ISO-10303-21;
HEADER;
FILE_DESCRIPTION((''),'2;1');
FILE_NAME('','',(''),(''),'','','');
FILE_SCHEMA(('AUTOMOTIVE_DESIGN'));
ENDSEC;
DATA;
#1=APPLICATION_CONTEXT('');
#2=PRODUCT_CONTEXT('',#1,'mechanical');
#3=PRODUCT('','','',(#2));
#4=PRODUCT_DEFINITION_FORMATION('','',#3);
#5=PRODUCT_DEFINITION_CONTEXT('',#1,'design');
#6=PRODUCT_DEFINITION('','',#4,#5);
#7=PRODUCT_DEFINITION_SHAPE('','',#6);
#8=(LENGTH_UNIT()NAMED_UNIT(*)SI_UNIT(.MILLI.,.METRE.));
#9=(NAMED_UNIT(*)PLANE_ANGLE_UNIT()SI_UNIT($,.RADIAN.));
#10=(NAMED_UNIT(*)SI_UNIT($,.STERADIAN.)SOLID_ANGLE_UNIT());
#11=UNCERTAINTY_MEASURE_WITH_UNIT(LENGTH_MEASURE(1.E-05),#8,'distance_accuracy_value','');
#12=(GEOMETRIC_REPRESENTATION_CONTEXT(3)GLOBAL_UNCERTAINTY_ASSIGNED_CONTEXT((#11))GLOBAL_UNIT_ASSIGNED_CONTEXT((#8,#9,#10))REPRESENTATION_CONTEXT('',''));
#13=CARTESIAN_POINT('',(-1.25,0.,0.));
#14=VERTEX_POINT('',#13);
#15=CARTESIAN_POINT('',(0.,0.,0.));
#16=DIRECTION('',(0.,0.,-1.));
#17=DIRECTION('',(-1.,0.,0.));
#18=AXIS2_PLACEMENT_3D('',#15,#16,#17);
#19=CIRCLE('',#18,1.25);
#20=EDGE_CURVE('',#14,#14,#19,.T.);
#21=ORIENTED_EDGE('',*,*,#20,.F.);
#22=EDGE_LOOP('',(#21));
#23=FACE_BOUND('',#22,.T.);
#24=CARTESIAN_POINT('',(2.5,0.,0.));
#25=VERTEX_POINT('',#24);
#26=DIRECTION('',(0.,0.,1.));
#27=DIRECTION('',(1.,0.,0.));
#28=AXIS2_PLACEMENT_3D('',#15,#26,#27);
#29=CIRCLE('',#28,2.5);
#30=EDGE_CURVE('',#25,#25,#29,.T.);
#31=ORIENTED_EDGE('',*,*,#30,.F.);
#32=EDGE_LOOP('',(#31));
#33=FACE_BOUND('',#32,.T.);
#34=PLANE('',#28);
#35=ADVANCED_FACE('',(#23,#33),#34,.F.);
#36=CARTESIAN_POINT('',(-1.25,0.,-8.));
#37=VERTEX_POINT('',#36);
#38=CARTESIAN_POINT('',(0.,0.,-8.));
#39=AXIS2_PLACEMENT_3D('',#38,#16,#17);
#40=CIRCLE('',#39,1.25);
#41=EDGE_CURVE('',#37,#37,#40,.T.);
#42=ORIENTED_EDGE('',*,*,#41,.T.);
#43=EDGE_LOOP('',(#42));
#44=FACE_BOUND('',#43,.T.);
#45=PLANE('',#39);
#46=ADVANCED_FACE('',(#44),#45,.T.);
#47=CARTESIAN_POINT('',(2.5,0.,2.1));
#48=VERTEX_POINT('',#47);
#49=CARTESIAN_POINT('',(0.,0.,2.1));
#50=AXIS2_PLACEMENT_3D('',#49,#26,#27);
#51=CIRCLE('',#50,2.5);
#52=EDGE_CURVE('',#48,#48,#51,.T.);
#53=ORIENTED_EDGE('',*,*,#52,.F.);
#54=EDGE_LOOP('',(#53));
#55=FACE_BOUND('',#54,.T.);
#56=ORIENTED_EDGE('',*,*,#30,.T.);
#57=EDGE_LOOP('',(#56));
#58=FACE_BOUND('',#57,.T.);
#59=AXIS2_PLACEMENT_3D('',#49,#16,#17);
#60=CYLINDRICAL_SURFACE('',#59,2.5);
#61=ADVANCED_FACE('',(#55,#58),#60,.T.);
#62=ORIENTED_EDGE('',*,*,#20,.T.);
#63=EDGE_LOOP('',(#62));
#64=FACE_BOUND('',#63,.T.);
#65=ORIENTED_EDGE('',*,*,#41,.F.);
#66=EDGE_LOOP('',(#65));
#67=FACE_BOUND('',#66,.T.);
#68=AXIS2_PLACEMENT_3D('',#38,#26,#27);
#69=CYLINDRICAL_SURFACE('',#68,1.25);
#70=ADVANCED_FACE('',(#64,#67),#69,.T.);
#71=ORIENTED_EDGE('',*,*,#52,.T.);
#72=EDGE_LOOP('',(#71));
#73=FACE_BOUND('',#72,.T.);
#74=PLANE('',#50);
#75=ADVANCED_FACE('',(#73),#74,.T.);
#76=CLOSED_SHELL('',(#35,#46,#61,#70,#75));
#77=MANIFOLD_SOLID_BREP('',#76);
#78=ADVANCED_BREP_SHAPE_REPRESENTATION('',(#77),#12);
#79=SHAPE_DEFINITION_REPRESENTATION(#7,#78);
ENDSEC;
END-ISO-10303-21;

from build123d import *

# Parameters (mm, degrees)
ESQUISSE1_R        = 2.5
BOSS_EXTRU_1_DEPTH = 2.1
ESQUISSE2_R        = 1.25
BOSS_EXTRU_2_DEPTH = 8


with BuildPart() as part:
    # Esquisse1 → Boss.-Extru.1 (new body)
    with BuildSketch(Plane.XY):
        Circle(ESQUISSE1_R)
    extrude(amount=BOSS_EXTRU_1_DEPTH)

    # Esquisse2 → Boss.-Extru.2 (add)
    with BuildSketch(Plane(origin=(0, 0, 0), x_dir=(-1, 0, 0), z_dir=(0, 0, -1))):
        Circle(ESQUISSE2_R)
    extrude(amount=BOSS_EXTRU_2_DEPTH)


solid = part.part
